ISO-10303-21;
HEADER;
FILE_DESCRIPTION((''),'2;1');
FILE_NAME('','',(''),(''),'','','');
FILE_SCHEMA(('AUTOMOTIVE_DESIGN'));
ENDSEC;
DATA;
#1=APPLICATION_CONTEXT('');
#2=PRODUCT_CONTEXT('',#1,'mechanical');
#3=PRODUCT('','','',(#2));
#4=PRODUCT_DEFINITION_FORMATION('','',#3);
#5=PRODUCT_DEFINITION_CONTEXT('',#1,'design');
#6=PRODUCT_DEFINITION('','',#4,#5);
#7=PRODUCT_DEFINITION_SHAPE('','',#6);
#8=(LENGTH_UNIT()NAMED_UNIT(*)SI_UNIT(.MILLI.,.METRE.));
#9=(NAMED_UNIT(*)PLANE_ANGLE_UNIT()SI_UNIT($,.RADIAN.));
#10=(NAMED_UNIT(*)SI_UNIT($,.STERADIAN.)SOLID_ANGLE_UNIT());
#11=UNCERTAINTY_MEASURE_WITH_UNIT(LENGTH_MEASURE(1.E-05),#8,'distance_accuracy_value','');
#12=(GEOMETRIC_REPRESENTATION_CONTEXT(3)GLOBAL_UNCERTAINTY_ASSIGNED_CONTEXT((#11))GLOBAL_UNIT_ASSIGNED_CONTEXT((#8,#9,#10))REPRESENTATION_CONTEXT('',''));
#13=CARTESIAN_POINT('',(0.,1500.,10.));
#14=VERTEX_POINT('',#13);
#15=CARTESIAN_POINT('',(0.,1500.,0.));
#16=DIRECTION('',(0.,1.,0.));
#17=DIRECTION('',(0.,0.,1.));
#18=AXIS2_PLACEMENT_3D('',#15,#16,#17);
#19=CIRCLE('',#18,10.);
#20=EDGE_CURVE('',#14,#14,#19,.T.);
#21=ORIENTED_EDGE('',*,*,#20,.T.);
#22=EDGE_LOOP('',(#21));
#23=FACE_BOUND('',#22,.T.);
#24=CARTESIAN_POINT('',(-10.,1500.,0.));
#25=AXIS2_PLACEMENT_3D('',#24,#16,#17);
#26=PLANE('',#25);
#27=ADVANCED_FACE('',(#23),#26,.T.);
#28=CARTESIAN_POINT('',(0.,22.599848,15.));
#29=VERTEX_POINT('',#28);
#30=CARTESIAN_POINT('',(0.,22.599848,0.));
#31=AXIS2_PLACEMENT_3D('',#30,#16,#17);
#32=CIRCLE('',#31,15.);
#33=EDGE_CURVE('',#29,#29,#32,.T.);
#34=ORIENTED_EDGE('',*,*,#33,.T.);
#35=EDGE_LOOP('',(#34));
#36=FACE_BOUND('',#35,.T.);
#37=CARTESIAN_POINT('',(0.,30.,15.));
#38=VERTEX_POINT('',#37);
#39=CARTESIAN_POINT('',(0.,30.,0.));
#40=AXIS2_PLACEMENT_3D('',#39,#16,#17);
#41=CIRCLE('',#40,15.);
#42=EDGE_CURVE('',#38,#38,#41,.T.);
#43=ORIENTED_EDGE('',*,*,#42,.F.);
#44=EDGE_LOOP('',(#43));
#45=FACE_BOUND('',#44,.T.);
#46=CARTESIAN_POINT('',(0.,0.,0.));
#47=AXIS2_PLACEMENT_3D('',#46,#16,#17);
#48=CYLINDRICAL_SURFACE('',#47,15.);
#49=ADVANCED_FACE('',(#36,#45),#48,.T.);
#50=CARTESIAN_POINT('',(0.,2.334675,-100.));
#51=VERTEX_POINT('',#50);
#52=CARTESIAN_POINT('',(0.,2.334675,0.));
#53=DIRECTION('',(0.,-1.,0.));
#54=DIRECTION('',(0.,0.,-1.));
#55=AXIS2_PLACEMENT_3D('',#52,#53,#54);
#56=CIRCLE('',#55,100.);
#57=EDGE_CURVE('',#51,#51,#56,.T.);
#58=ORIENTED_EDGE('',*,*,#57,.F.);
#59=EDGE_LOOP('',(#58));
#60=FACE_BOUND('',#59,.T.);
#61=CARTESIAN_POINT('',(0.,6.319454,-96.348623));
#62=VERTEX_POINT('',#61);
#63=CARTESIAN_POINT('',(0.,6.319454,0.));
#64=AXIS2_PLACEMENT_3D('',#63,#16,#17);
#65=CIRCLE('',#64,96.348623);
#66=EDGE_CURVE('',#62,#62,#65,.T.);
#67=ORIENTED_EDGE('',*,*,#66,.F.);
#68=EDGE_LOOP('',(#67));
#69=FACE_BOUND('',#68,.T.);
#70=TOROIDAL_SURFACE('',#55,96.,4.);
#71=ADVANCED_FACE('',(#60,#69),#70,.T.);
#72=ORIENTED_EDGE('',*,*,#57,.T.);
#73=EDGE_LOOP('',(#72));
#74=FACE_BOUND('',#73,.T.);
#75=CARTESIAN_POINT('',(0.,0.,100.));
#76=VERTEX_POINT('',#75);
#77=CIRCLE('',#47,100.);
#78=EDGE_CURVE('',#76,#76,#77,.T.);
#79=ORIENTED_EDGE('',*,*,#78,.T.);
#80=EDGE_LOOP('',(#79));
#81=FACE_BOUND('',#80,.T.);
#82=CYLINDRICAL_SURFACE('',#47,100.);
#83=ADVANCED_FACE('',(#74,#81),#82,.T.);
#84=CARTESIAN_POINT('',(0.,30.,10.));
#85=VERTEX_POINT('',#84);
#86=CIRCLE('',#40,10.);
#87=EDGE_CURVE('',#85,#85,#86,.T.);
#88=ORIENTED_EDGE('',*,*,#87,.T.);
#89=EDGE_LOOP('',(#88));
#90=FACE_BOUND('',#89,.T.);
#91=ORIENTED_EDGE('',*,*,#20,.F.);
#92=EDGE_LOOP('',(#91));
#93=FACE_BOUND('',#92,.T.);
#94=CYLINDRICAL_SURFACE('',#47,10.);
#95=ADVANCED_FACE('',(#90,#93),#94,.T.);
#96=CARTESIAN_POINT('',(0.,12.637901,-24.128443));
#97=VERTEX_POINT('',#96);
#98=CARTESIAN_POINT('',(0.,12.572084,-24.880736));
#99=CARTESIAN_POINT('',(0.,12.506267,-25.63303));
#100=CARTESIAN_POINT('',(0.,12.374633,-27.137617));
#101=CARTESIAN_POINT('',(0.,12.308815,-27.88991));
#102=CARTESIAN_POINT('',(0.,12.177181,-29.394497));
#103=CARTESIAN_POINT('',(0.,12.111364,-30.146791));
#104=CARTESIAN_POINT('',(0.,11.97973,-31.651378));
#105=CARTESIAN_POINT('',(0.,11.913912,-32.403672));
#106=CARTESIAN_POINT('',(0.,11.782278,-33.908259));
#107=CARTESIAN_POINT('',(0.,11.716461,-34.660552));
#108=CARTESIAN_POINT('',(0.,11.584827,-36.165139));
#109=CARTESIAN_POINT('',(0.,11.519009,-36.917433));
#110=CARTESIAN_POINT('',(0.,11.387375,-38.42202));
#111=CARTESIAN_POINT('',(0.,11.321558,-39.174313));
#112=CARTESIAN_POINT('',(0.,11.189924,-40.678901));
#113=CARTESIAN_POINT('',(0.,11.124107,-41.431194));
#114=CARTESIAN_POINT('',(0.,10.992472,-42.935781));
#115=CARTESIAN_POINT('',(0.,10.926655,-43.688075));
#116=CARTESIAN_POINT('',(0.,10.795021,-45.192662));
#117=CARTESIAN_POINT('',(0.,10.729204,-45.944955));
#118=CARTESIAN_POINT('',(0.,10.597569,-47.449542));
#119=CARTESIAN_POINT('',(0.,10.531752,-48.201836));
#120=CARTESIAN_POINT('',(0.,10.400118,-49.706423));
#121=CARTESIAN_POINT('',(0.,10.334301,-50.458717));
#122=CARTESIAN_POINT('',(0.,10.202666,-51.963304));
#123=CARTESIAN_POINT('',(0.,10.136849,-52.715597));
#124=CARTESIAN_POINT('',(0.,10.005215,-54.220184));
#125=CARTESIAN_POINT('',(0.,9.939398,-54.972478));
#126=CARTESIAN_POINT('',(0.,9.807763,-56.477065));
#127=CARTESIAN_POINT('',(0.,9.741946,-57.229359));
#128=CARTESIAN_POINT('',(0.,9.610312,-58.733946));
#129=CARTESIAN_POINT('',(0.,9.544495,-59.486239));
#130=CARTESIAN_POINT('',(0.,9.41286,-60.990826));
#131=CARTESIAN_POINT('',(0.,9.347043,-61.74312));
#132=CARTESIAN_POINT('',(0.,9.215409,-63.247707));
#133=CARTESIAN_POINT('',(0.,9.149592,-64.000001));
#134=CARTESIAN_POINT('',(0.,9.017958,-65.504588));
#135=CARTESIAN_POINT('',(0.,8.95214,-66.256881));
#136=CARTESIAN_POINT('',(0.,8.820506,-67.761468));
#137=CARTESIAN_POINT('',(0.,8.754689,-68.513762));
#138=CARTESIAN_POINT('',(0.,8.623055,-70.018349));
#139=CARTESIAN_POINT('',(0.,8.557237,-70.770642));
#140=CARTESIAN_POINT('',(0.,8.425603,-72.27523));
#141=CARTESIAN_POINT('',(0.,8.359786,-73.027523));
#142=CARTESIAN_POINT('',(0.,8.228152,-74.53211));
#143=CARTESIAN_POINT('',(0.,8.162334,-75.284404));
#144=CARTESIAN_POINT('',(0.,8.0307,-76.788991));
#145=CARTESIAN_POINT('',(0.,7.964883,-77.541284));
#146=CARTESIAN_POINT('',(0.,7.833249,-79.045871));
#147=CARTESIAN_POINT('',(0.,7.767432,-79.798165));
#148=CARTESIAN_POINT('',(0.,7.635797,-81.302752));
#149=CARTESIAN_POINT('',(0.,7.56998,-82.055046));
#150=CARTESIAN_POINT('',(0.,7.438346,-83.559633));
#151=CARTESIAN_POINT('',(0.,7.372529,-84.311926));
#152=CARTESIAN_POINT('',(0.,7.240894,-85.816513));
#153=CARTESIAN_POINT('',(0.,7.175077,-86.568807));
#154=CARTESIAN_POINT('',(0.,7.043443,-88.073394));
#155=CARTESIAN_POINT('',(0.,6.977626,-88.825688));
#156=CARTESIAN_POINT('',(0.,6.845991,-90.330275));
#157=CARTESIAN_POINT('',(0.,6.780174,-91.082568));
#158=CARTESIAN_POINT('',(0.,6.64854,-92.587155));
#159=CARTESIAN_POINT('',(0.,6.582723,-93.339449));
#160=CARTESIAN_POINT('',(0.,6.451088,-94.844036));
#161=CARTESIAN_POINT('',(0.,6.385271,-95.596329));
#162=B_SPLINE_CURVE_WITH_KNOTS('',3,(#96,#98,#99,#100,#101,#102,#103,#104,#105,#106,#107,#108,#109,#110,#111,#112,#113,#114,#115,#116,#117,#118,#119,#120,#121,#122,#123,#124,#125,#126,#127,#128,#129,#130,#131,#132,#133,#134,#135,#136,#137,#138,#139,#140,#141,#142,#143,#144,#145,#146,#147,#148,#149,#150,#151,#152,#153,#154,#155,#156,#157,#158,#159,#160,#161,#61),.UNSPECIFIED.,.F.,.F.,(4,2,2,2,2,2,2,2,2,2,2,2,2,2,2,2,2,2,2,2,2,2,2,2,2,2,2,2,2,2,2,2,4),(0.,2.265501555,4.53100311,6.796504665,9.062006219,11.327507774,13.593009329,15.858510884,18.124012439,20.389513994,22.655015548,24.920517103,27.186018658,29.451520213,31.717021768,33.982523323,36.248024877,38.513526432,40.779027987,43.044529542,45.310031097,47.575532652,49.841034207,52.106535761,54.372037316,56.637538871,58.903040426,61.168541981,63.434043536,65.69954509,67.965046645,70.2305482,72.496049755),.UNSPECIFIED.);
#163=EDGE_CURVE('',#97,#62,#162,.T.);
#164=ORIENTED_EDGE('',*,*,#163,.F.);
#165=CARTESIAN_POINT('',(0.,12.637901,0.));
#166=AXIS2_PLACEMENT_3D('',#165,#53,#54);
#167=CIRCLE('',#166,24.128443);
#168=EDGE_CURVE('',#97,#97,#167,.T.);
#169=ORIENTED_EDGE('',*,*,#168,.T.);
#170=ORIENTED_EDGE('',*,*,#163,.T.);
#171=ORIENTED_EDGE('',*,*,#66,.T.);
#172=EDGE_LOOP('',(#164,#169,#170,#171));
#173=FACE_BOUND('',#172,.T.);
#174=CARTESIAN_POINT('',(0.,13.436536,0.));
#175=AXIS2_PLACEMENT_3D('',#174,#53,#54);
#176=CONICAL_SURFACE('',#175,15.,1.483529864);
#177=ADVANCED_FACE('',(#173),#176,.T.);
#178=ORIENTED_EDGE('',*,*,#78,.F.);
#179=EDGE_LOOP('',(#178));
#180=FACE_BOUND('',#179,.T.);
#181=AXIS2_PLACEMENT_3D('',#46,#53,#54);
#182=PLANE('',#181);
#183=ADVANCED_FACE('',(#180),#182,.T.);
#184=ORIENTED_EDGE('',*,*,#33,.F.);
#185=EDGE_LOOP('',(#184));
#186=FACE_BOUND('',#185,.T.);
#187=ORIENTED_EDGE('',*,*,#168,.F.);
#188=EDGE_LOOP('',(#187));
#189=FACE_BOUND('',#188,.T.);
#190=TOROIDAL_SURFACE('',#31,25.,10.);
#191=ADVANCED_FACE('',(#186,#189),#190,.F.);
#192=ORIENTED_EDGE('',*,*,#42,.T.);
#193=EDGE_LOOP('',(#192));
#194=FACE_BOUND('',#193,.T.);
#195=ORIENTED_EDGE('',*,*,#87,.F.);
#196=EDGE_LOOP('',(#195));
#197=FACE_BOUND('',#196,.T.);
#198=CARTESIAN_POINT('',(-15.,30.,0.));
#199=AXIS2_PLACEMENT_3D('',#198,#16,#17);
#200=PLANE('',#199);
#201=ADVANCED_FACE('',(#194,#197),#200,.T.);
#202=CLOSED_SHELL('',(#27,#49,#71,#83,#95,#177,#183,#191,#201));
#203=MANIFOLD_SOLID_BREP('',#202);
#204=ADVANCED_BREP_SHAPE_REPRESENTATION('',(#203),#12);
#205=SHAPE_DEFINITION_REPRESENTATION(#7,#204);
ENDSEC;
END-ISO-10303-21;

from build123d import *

# Parameters (mm, degrees)
FILLET1_R = 4
FILLET2_R = 10


with BuildPart() as part:
    # Sketch1 → Revolve1 (revolve)
    with BuildSketch(Plane.XY, mode=Mode.PRIVATE) as revolve1_sk:
        Polygon((0, 0), (-100, 0), (-100, 6), (-15, 13.4365364), (-15, 30), (-10, 30), (-10, 1500), (0, 1500), align=None)
    revolve(revolve1_sk.sketch.rotate(Axis((0, 0, 0), (0, -1, 0)), 270), axis=Axis((0, 0, 0), (0, -1, 0)))

    # Fillet1
    fillet1_edges = [part.edges().sort_by_distance(p)[0] for p in [
        (0, 6, -100),
    ]]
    fillet(fillet1_edges, radius=FILLET1_R)

    # Fillet2
    fillet2_edges = [part.edges().sort_by_distance(p)[0] for p in [
        (0, 13.4365364, -15),
    ]]
    fillet(fillet2_edges, radius=FILLET2_R)


solid = part.part
